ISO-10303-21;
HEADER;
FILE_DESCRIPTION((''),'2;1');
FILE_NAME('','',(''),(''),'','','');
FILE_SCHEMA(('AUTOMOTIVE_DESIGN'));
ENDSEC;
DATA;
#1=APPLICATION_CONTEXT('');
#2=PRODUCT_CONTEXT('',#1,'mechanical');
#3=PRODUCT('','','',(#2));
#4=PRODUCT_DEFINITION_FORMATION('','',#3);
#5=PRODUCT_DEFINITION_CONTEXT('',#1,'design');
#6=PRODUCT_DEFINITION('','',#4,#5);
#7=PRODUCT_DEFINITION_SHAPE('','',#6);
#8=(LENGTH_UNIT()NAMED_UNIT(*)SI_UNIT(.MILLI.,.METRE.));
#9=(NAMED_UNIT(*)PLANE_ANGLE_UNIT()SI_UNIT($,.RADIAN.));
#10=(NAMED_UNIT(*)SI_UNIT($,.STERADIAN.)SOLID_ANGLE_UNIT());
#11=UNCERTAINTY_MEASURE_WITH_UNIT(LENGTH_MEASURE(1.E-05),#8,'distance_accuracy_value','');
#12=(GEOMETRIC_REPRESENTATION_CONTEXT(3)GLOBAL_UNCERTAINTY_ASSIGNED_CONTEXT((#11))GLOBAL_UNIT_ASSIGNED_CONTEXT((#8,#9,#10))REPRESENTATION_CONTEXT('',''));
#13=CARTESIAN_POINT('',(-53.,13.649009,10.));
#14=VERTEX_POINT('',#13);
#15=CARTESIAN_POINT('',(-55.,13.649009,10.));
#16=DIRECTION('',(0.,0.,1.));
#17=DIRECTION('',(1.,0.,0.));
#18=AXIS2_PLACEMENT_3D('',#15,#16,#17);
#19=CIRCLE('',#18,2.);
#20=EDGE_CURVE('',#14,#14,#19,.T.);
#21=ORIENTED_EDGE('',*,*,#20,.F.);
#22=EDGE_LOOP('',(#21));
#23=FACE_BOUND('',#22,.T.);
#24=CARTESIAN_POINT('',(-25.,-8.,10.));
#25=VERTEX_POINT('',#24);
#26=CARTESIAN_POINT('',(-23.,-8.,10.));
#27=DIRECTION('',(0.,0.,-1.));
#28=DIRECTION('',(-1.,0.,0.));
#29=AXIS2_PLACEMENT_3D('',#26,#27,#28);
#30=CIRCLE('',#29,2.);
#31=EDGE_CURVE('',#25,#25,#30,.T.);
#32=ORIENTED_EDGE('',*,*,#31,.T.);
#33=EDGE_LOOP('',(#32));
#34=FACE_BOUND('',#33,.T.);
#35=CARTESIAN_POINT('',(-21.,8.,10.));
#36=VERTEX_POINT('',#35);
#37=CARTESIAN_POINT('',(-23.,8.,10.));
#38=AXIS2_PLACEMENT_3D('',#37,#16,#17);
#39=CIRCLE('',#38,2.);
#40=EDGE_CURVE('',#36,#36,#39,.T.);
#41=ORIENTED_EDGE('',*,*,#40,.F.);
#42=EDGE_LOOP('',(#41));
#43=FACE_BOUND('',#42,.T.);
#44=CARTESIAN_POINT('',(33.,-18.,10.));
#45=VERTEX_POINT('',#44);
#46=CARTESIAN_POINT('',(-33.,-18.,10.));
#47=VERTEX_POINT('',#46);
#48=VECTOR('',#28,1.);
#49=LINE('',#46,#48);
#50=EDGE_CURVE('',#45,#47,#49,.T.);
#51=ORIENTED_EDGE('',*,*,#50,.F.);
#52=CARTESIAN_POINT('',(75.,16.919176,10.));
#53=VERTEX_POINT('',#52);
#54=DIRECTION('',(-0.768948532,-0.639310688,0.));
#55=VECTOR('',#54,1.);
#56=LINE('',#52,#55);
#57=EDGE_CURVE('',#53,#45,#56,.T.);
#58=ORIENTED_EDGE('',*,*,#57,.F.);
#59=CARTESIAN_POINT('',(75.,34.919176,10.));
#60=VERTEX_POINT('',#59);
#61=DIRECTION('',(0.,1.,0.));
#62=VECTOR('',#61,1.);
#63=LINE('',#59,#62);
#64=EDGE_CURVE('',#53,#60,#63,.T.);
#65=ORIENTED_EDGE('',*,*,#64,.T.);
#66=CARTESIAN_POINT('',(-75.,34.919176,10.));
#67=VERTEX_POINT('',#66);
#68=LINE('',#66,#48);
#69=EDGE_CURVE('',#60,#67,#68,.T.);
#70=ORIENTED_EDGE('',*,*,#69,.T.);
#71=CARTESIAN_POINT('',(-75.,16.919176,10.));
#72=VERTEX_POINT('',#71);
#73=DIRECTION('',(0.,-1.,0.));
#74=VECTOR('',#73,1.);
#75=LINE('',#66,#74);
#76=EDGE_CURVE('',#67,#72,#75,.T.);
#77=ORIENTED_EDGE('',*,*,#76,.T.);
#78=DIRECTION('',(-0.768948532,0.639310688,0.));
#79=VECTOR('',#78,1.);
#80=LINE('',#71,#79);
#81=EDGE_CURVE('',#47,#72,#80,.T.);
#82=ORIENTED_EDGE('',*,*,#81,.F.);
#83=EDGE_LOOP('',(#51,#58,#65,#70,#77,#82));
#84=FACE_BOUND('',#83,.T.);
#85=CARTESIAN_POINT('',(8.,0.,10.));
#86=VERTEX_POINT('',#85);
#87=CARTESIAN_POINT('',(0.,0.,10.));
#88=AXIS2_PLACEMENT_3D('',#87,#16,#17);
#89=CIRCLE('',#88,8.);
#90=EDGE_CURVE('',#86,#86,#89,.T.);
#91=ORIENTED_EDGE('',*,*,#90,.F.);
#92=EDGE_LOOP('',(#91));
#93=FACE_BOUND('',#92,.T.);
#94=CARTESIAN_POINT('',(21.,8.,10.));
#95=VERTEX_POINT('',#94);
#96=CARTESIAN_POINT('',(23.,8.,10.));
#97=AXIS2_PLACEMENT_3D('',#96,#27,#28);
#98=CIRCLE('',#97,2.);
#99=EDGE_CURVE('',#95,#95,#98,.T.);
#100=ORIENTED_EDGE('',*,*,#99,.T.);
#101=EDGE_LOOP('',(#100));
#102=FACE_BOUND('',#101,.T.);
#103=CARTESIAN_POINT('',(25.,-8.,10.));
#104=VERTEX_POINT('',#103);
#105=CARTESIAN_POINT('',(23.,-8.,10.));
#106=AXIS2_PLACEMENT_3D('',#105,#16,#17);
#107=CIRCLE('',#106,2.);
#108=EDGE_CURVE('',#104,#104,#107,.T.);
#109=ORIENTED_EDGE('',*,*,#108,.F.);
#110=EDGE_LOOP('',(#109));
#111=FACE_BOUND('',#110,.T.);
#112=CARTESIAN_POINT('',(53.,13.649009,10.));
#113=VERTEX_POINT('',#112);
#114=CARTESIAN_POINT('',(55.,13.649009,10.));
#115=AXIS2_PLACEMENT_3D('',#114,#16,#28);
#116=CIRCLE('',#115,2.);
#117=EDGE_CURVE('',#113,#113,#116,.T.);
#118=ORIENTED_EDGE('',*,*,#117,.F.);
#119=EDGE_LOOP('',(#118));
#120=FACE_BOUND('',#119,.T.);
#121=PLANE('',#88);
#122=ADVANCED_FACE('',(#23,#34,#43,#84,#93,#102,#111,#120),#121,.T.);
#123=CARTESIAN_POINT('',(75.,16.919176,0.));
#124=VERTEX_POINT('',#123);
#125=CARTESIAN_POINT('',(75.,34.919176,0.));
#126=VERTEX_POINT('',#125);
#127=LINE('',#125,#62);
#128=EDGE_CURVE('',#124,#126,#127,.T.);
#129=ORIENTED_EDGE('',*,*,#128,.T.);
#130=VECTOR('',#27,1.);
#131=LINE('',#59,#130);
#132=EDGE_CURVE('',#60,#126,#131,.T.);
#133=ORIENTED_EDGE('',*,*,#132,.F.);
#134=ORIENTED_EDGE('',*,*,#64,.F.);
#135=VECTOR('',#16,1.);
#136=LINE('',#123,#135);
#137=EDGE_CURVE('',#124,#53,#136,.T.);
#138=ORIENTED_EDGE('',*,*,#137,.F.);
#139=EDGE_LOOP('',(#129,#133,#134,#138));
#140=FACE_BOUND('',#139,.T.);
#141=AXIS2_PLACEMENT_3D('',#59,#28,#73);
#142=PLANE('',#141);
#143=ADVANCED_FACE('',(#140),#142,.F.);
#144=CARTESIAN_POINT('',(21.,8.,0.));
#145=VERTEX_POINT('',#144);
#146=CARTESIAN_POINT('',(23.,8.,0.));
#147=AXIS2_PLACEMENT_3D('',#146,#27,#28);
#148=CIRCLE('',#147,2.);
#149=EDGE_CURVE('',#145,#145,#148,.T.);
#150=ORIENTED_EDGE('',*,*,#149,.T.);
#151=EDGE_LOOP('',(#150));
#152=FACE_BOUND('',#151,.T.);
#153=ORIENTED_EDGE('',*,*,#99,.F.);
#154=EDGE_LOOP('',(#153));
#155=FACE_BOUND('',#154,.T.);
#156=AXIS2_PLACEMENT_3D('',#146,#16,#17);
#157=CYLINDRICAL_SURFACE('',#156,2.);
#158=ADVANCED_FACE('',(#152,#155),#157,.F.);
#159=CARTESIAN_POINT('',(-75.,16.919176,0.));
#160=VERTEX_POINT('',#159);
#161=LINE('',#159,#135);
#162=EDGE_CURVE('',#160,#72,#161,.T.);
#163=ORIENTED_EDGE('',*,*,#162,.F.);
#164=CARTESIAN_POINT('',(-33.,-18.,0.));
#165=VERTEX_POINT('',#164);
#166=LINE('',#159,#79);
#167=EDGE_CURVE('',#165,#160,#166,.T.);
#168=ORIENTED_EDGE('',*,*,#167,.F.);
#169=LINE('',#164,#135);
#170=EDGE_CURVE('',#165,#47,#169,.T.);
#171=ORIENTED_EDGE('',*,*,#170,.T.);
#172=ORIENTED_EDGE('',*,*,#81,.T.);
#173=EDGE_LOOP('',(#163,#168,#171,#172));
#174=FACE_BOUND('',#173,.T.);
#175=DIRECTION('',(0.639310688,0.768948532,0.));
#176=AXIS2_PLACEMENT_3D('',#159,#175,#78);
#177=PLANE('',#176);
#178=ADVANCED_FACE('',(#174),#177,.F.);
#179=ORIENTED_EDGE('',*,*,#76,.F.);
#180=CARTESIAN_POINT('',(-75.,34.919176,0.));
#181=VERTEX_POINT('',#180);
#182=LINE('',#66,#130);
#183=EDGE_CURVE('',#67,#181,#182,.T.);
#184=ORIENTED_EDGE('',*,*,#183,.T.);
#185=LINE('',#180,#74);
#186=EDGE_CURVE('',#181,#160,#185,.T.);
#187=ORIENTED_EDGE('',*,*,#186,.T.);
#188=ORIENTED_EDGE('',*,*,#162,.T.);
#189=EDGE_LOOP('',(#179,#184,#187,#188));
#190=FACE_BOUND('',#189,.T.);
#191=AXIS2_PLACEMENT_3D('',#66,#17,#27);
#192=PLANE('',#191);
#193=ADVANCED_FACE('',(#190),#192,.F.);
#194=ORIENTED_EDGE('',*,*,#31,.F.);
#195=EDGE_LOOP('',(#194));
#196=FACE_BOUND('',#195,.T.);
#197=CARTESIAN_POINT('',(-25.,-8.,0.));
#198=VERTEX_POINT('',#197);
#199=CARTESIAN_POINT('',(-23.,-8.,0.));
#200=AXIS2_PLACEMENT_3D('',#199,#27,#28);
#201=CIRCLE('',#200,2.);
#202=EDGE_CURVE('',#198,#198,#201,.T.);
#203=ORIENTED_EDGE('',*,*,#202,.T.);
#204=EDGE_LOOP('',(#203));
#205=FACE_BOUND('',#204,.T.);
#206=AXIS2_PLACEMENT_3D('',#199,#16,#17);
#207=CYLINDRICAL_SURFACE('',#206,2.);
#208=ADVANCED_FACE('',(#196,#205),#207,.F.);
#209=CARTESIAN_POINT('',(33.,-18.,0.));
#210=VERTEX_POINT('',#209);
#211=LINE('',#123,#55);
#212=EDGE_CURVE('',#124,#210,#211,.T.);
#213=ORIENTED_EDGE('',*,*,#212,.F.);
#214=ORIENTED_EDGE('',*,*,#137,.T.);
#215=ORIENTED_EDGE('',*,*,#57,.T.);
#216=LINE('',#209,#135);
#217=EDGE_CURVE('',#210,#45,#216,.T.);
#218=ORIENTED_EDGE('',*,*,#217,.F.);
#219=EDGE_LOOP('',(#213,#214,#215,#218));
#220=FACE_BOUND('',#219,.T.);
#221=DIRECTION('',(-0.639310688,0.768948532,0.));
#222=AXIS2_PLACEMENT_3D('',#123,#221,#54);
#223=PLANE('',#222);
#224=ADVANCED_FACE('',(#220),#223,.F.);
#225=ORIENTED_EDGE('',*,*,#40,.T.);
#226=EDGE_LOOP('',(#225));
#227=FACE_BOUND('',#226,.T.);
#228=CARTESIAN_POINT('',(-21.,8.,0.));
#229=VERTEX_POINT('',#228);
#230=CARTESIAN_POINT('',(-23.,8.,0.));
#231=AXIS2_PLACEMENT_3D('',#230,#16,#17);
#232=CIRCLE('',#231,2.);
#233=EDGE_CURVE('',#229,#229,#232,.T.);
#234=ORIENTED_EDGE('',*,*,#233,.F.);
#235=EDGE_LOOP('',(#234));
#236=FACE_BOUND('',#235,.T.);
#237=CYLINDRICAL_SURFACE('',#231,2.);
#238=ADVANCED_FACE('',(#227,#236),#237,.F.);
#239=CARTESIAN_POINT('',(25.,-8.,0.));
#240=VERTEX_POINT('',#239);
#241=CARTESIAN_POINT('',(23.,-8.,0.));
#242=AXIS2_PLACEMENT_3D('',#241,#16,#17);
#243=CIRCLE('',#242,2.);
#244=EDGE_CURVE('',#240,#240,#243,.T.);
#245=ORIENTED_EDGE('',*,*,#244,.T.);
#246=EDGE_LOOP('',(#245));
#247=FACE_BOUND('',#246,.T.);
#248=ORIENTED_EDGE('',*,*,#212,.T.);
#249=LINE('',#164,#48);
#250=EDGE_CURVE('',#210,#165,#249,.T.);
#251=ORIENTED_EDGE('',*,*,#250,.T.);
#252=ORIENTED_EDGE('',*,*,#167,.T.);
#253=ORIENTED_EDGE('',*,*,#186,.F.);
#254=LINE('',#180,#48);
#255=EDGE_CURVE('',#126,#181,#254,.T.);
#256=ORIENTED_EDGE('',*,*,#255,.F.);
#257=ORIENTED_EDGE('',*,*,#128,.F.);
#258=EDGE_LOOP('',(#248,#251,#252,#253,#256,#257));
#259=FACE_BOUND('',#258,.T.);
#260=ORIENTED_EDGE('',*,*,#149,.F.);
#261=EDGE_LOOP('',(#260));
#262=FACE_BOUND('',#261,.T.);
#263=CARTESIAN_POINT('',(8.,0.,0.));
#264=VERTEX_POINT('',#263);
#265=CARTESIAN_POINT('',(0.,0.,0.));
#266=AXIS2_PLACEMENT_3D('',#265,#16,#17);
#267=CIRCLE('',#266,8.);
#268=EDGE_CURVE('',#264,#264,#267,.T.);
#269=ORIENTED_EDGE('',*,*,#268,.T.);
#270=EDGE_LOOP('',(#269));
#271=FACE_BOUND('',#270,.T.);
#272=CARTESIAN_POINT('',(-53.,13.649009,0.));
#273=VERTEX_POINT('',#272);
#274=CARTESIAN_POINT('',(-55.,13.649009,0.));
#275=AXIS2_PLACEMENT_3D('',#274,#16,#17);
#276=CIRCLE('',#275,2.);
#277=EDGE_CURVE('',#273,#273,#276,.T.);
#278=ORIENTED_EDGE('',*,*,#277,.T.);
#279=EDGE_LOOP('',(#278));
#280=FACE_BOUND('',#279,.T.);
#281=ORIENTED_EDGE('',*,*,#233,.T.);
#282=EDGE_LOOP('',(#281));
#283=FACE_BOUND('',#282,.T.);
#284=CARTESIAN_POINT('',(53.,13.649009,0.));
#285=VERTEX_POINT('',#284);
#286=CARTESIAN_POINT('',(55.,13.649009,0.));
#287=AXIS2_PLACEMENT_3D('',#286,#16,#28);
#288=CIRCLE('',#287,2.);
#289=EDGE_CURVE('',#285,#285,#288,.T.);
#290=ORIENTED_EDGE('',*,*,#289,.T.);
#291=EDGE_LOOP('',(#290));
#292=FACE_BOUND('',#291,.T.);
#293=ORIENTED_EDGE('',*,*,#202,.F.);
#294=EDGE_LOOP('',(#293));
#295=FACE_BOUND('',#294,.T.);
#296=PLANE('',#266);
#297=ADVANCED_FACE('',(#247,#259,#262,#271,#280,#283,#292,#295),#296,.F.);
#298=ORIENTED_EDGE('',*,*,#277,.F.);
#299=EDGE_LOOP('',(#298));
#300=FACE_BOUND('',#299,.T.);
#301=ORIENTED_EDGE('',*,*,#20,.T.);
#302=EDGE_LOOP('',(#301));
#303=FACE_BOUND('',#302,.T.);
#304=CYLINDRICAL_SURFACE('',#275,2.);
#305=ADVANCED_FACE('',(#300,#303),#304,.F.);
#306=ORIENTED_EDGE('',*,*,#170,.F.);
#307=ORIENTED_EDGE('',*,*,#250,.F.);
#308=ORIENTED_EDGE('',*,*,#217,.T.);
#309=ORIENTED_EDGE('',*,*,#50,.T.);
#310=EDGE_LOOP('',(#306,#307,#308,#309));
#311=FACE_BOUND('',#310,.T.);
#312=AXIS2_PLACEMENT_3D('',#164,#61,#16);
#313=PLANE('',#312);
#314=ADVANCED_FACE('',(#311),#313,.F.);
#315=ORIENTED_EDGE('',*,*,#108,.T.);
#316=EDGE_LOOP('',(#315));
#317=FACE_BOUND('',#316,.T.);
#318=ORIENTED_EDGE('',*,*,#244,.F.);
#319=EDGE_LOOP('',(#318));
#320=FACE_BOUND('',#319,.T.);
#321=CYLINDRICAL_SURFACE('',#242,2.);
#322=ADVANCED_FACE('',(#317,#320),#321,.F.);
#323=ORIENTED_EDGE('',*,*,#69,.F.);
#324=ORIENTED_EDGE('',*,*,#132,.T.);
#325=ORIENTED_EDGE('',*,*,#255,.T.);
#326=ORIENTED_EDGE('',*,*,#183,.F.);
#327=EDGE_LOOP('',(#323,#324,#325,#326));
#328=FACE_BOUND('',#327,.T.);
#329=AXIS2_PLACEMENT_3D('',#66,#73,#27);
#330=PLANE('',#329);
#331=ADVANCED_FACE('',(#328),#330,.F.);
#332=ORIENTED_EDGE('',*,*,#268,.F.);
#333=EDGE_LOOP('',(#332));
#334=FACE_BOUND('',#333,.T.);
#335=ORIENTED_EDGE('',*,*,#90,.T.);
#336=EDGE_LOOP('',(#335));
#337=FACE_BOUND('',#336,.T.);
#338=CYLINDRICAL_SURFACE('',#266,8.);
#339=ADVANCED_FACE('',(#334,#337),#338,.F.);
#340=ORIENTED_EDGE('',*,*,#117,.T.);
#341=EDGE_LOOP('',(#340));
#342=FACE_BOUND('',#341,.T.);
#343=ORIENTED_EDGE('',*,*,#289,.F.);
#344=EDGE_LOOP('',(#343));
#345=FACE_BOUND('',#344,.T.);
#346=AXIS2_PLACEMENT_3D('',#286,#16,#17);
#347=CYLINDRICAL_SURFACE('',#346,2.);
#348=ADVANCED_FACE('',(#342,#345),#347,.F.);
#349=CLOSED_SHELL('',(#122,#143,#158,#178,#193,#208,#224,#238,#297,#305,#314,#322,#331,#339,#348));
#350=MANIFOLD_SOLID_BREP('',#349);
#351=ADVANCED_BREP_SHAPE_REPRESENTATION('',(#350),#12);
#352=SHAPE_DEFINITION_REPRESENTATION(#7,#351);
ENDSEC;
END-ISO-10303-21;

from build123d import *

# Parameters (mm, degrees)
SKETCH_1_W          = 150
SKETCH_1_H          = 70
EXTRUDE_1_DEPTH     = 10
SKETCH_2_R          = 8
CUT_EXTRUDE_1_DEPTH = 84.400624887
SKETCH_3_R          = 2
CUT_EXTRUDE_2_DEPTH = 84.400624887
SKETCH_4_R          = 2
CUT_EXTRUDE_3_DEPTH = 84.400624887
CUT_EXTRUDE_4_DEPTH = 84.400624887


with BuildPart() as part:
    # 스케치1 → 보스-돌출1 (new body)
    with BuildSketch(Plane.XY):
        with Locations((0, -0.080824272)):
            Rectangle(SKETCH_1_W, SKETCH_1_H)
    extrude(amount=EXTRUDE_1_DEPTH)

    # 스케치2 → 컷-돌출1 (cut, through all)
    with BuildSketch(Plane.XY.offset(10)):
        Circle(SKETCH_2_R)
    extrude(amount=-CUT_EXTRUDE_1_DEPTH, mode=Mode.SUBTRACT)

    # 스케치3 → 컷-돌출2 (cut, through all)
    with BuildSketch(Plane.XY.offset(10)):
        with Locations((-23, 8)):
            Circle(SKETCH_3_R)
        with Locations(Location((-23, -8, 0), (0, 0, 180))):
            Circle(SKETCH_3_R)
        with Locations((23, -8)):
            Circle(SKETCH_3_R)
        with Locations(Location((23, 8, 0), (0, 0, 180))):
            Circle(SKETCH_3_R)
    extrude(amount=-CUT_EXTRUDE_2_DEPTH, mode=Mode.SUBTRACT)

    # 스케치4 → 컷-돌출3 (cut, through all)
    with BuildSketch(Plane.XY.offset(10)):
        with Locations((-55, 13.64900919)):
            Circle(SKETCH_4_R)
        with Locations((-65, -25.080824272)):
            Circle(SKETCH_4_R)
        with Locations(Location((65, -25.080824272, 0), (0, 0, 180))):
            Circle(SKETCH_4_R)
        with Locations(Location((55, 13.64900919, 0), (0, 0, 180))):
            Circle(SKETCH_4_R)
    extrude(amount=-CUT_EXTRUDE_3_DEPTH, mode=Mode.SUBTRACT)

    # 스케치5 → 컷-돌출4 (cut, through all)
    with BuildSketch(Plane.XY.offset(10)):
        Polygon((-75, 16.919175728), (-33, -18), (33, -18), (75, 16.919175728), (75, -35.080824272), (-75, -35.080824272), (-75, -27.080824272), align=None)
    extrude(amount=-CUT_EXTRUDE_4_DEPTH, mode=Mode.SUBTRACT)


solid = part.part
